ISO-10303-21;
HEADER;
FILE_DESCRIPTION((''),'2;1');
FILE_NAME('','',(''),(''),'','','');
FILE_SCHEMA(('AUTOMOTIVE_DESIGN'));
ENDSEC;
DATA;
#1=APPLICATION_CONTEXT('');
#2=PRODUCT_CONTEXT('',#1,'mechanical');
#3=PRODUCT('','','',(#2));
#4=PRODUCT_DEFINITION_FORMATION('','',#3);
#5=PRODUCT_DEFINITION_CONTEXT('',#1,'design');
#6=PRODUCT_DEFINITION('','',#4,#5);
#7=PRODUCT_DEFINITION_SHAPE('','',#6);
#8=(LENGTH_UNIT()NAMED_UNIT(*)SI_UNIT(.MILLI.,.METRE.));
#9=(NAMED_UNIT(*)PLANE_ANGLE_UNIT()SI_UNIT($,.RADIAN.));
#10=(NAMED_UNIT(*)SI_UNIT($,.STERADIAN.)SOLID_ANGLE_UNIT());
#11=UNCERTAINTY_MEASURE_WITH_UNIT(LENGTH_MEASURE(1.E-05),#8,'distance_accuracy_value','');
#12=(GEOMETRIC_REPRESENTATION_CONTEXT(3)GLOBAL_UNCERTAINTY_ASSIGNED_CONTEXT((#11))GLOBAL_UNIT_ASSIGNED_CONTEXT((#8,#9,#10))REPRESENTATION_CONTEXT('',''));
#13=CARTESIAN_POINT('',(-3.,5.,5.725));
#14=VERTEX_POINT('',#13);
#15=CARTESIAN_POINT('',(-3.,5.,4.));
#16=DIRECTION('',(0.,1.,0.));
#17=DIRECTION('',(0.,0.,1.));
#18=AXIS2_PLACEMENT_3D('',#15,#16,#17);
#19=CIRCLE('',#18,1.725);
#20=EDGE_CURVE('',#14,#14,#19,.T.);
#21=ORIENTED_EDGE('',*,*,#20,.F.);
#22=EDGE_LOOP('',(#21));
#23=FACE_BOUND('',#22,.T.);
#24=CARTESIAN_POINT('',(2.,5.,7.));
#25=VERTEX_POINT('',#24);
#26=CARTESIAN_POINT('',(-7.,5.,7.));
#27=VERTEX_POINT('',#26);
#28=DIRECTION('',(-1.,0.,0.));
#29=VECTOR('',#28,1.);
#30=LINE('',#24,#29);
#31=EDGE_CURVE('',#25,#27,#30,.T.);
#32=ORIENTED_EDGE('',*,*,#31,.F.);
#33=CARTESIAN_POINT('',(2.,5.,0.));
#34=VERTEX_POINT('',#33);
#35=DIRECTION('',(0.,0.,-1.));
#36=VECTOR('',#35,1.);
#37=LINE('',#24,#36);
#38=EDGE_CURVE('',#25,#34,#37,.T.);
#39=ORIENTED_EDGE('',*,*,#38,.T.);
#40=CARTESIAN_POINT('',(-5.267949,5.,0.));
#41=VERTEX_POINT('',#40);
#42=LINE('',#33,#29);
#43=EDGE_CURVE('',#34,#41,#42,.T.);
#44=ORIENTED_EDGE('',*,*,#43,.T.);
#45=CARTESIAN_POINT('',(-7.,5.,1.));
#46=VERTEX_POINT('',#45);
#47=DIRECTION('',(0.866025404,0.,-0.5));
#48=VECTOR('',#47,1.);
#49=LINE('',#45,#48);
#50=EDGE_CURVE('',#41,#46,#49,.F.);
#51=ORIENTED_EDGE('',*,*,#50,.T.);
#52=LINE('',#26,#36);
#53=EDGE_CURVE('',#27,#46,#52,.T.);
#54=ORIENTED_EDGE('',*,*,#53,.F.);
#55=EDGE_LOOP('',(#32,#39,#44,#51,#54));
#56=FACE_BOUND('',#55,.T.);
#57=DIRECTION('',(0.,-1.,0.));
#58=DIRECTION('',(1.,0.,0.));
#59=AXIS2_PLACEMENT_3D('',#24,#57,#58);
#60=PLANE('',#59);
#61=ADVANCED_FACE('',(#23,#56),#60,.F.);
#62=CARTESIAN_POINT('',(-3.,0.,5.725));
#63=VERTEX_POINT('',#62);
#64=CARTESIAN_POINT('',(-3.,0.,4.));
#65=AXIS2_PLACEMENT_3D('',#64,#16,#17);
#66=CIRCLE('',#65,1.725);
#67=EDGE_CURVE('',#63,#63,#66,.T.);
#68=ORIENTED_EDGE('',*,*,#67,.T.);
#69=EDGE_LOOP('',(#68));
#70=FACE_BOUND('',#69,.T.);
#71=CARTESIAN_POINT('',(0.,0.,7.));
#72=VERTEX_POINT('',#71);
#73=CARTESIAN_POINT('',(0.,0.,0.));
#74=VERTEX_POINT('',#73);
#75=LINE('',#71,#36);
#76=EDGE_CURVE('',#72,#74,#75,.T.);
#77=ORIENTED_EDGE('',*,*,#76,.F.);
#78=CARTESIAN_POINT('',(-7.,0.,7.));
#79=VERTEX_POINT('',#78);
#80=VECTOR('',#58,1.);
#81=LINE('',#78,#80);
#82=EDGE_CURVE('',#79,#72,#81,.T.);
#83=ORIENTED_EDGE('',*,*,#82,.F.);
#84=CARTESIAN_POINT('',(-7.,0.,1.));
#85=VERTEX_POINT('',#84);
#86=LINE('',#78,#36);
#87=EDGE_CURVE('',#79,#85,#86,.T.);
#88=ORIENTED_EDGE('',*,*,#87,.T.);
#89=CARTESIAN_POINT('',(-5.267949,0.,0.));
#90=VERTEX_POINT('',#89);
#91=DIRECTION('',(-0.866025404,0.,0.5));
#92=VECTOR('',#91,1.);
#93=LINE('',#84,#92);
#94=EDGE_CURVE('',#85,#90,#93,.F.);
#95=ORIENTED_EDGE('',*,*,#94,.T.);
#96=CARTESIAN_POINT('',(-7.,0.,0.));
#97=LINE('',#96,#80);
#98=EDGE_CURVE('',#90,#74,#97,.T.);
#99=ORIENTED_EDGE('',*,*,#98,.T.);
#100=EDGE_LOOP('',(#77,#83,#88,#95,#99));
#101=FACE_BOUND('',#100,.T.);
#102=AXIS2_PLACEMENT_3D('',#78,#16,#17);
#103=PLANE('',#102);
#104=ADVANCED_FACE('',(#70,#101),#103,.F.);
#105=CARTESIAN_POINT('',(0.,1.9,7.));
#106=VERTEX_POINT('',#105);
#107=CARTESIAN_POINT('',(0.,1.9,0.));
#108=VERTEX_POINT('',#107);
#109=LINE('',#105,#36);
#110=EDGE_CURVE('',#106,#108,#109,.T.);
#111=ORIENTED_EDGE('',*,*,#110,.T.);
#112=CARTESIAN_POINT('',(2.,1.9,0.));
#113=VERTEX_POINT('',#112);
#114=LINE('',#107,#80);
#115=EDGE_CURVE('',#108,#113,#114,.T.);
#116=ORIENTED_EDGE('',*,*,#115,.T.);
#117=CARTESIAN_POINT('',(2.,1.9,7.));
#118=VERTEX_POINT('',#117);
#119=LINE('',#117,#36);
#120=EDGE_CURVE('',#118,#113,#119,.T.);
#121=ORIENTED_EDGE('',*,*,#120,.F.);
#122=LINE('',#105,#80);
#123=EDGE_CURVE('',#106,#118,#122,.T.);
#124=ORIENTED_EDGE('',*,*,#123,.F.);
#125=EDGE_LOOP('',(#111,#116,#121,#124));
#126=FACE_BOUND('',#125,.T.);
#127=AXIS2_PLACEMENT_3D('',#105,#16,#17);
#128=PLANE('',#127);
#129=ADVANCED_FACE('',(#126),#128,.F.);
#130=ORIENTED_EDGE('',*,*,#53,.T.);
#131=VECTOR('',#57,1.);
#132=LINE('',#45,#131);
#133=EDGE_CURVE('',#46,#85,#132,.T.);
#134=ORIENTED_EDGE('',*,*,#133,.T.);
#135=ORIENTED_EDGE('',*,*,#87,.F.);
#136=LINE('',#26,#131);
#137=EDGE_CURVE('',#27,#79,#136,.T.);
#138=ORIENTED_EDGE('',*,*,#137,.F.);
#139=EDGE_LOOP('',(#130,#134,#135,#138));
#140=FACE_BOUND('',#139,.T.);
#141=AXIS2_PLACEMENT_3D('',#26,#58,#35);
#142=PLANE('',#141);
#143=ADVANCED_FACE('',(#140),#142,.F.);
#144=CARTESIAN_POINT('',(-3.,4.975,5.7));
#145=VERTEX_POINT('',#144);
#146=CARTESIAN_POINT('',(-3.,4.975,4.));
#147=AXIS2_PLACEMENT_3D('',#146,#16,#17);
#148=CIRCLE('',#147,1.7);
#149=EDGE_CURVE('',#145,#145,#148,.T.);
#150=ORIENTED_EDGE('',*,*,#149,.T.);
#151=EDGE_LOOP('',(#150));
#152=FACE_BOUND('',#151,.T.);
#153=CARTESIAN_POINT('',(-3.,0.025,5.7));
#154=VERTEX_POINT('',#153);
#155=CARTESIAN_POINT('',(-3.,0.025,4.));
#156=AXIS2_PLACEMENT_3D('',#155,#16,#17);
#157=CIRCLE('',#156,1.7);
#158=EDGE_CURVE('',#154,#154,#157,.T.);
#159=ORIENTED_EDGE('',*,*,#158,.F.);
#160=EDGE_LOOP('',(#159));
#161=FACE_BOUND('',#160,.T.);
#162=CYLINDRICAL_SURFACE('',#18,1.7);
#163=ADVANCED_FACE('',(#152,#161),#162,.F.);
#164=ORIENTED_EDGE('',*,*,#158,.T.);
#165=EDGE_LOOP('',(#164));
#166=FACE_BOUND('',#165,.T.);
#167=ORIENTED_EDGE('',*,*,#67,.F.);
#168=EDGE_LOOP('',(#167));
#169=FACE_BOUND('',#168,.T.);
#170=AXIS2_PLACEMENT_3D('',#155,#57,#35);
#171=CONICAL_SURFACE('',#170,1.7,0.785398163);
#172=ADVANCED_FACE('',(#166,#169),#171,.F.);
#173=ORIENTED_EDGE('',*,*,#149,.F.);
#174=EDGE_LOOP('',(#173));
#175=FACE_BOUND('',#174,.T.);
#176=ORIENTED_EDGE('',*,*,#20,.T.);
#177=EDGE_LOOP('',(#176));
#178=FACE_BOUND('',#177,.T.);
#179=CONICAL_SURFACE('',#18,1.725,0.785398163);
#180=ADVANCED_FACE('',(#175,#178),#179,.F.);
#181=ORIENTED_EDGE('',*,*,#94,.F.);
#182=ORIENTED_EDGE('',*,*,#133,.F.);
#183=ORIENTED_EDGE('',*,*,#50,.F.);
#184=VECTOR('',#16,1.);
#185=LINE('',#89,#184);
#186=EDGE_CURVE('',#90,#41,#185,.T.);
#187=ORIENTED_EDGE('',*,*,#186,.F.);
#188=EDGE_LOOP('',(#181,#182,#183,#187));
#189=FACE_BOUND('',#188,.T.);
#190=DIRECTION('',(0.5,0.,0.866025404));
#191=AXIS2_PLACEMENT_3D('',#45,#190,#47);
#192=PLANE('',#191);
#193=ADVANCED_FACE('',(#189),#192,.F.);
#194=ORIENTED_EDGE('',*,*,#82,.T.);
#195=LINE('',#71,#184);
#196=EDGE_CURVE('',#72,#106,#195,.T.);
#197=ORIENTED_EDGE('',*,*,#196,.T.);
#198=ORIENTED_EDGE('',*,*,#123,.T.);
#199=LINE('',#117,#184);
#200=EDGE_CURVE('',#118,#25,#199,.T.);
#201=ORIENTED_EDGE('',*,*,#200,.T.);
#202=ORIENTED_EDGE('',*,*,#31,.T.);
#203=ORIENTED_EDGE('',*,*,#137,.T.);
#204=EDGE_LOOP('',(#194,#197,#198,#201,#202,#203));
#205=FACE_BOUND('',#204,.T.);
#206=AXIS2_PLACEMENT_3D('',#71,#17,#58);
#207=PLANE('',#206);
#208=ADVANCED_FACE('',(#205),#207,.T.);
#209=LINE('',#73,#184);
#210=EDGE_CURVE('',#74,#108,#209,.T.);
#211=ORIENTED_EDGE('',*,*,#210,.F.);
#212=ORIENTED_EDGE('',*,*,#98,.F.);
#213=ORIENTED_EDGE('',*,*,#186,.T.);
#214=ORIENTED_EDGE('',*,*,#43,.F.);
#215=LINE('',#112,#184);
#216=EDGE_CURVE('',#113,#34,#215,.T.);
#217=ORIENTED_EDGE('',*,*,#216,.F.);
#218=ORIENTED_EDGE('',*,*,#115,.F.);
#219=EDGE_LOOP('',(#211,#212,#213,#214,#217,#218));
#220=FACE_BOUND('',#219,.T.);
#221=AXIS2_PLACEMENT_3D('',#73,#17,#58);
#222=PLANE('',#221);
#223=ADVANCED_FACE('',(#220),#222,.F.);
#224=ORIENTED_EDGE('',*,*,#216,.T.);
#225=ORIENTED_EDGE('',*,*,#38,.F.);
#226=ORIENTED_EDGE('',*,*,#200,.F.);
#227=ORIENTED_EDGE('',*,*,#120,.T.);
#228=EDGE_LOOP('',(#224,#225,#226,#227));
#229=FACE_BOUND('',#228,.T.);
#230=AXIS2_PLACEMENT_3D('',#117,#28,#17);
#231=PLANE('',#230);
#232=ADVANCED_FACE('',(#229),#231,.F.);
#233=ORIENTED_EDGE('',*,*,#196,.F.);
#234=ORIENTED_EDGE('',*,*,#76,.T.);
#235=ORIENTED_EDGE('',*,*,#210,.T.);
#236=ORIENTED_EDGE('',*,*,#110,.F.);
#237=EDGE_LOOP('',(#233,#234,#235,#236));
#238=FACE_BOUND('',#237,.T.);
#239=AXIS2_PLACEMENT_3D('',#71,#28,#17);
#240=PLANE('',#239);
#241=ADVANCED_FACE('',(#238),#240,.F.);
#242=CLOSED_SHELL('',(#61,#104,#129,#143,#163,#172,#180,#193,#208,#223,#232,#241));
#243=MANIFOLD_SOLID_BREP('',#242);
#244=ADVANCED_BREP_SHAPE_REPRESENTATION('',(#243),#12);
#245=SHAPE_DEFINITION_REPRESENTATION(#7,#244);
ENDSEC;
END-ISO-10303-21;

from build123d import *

# Parameters (mm, degrees)
EXTRUDE_1_DEPTH = 7
CHAMFER_1_SIZE  = 1
CHAMFER_1_SIZE2 = 1.732050808


with BuildPart() as part:
    # Эскиз1 → Бобышка-Вытянуть1 (new body)
    with BuildSketch(Plane.XY):
        Polygon((0, 0), (0, 1.9), (2, 1.9), (2, 5), (-7, 5), (-7, 0), align=None)
    extrude(amount=EXTRUDE_1_DEPTH)

    # Эскиз4 → Отверстие с зазором M31 (revolve, cut)
    with BuildSketch(Plane(origin=(-3, 5, 4), x_dir=(0, 0, 1), z_dir=(1, 0, 0))):
        Polygon((0, 0), (0, 5), (1.725, 5), (1.7, 4.975), (1.7, 0.025), (1.725, 0), align=None)
    revolve(axis=Axis((-3, 11.35, 4), (0, -1, 0)), mode=Mode.SUBTRACT)

    # Фаска1
    chamfer_1_edges = [part.edges().sort_by_distance(p)[0] for p in [
        (-7, 2.5, 0),
    ]]
    chamfer_1_side = [part.faces().sort_by_distance(p)[0] for p in [
        (-7, 2.5, 3.5),
    ]]
    chamfer(chamfer_1_edges, length=CHAMFER_1_SIZE, length2=CHAMFER_1_SIZE2, reference=chamfer_1_side[0])


solid = part.part
